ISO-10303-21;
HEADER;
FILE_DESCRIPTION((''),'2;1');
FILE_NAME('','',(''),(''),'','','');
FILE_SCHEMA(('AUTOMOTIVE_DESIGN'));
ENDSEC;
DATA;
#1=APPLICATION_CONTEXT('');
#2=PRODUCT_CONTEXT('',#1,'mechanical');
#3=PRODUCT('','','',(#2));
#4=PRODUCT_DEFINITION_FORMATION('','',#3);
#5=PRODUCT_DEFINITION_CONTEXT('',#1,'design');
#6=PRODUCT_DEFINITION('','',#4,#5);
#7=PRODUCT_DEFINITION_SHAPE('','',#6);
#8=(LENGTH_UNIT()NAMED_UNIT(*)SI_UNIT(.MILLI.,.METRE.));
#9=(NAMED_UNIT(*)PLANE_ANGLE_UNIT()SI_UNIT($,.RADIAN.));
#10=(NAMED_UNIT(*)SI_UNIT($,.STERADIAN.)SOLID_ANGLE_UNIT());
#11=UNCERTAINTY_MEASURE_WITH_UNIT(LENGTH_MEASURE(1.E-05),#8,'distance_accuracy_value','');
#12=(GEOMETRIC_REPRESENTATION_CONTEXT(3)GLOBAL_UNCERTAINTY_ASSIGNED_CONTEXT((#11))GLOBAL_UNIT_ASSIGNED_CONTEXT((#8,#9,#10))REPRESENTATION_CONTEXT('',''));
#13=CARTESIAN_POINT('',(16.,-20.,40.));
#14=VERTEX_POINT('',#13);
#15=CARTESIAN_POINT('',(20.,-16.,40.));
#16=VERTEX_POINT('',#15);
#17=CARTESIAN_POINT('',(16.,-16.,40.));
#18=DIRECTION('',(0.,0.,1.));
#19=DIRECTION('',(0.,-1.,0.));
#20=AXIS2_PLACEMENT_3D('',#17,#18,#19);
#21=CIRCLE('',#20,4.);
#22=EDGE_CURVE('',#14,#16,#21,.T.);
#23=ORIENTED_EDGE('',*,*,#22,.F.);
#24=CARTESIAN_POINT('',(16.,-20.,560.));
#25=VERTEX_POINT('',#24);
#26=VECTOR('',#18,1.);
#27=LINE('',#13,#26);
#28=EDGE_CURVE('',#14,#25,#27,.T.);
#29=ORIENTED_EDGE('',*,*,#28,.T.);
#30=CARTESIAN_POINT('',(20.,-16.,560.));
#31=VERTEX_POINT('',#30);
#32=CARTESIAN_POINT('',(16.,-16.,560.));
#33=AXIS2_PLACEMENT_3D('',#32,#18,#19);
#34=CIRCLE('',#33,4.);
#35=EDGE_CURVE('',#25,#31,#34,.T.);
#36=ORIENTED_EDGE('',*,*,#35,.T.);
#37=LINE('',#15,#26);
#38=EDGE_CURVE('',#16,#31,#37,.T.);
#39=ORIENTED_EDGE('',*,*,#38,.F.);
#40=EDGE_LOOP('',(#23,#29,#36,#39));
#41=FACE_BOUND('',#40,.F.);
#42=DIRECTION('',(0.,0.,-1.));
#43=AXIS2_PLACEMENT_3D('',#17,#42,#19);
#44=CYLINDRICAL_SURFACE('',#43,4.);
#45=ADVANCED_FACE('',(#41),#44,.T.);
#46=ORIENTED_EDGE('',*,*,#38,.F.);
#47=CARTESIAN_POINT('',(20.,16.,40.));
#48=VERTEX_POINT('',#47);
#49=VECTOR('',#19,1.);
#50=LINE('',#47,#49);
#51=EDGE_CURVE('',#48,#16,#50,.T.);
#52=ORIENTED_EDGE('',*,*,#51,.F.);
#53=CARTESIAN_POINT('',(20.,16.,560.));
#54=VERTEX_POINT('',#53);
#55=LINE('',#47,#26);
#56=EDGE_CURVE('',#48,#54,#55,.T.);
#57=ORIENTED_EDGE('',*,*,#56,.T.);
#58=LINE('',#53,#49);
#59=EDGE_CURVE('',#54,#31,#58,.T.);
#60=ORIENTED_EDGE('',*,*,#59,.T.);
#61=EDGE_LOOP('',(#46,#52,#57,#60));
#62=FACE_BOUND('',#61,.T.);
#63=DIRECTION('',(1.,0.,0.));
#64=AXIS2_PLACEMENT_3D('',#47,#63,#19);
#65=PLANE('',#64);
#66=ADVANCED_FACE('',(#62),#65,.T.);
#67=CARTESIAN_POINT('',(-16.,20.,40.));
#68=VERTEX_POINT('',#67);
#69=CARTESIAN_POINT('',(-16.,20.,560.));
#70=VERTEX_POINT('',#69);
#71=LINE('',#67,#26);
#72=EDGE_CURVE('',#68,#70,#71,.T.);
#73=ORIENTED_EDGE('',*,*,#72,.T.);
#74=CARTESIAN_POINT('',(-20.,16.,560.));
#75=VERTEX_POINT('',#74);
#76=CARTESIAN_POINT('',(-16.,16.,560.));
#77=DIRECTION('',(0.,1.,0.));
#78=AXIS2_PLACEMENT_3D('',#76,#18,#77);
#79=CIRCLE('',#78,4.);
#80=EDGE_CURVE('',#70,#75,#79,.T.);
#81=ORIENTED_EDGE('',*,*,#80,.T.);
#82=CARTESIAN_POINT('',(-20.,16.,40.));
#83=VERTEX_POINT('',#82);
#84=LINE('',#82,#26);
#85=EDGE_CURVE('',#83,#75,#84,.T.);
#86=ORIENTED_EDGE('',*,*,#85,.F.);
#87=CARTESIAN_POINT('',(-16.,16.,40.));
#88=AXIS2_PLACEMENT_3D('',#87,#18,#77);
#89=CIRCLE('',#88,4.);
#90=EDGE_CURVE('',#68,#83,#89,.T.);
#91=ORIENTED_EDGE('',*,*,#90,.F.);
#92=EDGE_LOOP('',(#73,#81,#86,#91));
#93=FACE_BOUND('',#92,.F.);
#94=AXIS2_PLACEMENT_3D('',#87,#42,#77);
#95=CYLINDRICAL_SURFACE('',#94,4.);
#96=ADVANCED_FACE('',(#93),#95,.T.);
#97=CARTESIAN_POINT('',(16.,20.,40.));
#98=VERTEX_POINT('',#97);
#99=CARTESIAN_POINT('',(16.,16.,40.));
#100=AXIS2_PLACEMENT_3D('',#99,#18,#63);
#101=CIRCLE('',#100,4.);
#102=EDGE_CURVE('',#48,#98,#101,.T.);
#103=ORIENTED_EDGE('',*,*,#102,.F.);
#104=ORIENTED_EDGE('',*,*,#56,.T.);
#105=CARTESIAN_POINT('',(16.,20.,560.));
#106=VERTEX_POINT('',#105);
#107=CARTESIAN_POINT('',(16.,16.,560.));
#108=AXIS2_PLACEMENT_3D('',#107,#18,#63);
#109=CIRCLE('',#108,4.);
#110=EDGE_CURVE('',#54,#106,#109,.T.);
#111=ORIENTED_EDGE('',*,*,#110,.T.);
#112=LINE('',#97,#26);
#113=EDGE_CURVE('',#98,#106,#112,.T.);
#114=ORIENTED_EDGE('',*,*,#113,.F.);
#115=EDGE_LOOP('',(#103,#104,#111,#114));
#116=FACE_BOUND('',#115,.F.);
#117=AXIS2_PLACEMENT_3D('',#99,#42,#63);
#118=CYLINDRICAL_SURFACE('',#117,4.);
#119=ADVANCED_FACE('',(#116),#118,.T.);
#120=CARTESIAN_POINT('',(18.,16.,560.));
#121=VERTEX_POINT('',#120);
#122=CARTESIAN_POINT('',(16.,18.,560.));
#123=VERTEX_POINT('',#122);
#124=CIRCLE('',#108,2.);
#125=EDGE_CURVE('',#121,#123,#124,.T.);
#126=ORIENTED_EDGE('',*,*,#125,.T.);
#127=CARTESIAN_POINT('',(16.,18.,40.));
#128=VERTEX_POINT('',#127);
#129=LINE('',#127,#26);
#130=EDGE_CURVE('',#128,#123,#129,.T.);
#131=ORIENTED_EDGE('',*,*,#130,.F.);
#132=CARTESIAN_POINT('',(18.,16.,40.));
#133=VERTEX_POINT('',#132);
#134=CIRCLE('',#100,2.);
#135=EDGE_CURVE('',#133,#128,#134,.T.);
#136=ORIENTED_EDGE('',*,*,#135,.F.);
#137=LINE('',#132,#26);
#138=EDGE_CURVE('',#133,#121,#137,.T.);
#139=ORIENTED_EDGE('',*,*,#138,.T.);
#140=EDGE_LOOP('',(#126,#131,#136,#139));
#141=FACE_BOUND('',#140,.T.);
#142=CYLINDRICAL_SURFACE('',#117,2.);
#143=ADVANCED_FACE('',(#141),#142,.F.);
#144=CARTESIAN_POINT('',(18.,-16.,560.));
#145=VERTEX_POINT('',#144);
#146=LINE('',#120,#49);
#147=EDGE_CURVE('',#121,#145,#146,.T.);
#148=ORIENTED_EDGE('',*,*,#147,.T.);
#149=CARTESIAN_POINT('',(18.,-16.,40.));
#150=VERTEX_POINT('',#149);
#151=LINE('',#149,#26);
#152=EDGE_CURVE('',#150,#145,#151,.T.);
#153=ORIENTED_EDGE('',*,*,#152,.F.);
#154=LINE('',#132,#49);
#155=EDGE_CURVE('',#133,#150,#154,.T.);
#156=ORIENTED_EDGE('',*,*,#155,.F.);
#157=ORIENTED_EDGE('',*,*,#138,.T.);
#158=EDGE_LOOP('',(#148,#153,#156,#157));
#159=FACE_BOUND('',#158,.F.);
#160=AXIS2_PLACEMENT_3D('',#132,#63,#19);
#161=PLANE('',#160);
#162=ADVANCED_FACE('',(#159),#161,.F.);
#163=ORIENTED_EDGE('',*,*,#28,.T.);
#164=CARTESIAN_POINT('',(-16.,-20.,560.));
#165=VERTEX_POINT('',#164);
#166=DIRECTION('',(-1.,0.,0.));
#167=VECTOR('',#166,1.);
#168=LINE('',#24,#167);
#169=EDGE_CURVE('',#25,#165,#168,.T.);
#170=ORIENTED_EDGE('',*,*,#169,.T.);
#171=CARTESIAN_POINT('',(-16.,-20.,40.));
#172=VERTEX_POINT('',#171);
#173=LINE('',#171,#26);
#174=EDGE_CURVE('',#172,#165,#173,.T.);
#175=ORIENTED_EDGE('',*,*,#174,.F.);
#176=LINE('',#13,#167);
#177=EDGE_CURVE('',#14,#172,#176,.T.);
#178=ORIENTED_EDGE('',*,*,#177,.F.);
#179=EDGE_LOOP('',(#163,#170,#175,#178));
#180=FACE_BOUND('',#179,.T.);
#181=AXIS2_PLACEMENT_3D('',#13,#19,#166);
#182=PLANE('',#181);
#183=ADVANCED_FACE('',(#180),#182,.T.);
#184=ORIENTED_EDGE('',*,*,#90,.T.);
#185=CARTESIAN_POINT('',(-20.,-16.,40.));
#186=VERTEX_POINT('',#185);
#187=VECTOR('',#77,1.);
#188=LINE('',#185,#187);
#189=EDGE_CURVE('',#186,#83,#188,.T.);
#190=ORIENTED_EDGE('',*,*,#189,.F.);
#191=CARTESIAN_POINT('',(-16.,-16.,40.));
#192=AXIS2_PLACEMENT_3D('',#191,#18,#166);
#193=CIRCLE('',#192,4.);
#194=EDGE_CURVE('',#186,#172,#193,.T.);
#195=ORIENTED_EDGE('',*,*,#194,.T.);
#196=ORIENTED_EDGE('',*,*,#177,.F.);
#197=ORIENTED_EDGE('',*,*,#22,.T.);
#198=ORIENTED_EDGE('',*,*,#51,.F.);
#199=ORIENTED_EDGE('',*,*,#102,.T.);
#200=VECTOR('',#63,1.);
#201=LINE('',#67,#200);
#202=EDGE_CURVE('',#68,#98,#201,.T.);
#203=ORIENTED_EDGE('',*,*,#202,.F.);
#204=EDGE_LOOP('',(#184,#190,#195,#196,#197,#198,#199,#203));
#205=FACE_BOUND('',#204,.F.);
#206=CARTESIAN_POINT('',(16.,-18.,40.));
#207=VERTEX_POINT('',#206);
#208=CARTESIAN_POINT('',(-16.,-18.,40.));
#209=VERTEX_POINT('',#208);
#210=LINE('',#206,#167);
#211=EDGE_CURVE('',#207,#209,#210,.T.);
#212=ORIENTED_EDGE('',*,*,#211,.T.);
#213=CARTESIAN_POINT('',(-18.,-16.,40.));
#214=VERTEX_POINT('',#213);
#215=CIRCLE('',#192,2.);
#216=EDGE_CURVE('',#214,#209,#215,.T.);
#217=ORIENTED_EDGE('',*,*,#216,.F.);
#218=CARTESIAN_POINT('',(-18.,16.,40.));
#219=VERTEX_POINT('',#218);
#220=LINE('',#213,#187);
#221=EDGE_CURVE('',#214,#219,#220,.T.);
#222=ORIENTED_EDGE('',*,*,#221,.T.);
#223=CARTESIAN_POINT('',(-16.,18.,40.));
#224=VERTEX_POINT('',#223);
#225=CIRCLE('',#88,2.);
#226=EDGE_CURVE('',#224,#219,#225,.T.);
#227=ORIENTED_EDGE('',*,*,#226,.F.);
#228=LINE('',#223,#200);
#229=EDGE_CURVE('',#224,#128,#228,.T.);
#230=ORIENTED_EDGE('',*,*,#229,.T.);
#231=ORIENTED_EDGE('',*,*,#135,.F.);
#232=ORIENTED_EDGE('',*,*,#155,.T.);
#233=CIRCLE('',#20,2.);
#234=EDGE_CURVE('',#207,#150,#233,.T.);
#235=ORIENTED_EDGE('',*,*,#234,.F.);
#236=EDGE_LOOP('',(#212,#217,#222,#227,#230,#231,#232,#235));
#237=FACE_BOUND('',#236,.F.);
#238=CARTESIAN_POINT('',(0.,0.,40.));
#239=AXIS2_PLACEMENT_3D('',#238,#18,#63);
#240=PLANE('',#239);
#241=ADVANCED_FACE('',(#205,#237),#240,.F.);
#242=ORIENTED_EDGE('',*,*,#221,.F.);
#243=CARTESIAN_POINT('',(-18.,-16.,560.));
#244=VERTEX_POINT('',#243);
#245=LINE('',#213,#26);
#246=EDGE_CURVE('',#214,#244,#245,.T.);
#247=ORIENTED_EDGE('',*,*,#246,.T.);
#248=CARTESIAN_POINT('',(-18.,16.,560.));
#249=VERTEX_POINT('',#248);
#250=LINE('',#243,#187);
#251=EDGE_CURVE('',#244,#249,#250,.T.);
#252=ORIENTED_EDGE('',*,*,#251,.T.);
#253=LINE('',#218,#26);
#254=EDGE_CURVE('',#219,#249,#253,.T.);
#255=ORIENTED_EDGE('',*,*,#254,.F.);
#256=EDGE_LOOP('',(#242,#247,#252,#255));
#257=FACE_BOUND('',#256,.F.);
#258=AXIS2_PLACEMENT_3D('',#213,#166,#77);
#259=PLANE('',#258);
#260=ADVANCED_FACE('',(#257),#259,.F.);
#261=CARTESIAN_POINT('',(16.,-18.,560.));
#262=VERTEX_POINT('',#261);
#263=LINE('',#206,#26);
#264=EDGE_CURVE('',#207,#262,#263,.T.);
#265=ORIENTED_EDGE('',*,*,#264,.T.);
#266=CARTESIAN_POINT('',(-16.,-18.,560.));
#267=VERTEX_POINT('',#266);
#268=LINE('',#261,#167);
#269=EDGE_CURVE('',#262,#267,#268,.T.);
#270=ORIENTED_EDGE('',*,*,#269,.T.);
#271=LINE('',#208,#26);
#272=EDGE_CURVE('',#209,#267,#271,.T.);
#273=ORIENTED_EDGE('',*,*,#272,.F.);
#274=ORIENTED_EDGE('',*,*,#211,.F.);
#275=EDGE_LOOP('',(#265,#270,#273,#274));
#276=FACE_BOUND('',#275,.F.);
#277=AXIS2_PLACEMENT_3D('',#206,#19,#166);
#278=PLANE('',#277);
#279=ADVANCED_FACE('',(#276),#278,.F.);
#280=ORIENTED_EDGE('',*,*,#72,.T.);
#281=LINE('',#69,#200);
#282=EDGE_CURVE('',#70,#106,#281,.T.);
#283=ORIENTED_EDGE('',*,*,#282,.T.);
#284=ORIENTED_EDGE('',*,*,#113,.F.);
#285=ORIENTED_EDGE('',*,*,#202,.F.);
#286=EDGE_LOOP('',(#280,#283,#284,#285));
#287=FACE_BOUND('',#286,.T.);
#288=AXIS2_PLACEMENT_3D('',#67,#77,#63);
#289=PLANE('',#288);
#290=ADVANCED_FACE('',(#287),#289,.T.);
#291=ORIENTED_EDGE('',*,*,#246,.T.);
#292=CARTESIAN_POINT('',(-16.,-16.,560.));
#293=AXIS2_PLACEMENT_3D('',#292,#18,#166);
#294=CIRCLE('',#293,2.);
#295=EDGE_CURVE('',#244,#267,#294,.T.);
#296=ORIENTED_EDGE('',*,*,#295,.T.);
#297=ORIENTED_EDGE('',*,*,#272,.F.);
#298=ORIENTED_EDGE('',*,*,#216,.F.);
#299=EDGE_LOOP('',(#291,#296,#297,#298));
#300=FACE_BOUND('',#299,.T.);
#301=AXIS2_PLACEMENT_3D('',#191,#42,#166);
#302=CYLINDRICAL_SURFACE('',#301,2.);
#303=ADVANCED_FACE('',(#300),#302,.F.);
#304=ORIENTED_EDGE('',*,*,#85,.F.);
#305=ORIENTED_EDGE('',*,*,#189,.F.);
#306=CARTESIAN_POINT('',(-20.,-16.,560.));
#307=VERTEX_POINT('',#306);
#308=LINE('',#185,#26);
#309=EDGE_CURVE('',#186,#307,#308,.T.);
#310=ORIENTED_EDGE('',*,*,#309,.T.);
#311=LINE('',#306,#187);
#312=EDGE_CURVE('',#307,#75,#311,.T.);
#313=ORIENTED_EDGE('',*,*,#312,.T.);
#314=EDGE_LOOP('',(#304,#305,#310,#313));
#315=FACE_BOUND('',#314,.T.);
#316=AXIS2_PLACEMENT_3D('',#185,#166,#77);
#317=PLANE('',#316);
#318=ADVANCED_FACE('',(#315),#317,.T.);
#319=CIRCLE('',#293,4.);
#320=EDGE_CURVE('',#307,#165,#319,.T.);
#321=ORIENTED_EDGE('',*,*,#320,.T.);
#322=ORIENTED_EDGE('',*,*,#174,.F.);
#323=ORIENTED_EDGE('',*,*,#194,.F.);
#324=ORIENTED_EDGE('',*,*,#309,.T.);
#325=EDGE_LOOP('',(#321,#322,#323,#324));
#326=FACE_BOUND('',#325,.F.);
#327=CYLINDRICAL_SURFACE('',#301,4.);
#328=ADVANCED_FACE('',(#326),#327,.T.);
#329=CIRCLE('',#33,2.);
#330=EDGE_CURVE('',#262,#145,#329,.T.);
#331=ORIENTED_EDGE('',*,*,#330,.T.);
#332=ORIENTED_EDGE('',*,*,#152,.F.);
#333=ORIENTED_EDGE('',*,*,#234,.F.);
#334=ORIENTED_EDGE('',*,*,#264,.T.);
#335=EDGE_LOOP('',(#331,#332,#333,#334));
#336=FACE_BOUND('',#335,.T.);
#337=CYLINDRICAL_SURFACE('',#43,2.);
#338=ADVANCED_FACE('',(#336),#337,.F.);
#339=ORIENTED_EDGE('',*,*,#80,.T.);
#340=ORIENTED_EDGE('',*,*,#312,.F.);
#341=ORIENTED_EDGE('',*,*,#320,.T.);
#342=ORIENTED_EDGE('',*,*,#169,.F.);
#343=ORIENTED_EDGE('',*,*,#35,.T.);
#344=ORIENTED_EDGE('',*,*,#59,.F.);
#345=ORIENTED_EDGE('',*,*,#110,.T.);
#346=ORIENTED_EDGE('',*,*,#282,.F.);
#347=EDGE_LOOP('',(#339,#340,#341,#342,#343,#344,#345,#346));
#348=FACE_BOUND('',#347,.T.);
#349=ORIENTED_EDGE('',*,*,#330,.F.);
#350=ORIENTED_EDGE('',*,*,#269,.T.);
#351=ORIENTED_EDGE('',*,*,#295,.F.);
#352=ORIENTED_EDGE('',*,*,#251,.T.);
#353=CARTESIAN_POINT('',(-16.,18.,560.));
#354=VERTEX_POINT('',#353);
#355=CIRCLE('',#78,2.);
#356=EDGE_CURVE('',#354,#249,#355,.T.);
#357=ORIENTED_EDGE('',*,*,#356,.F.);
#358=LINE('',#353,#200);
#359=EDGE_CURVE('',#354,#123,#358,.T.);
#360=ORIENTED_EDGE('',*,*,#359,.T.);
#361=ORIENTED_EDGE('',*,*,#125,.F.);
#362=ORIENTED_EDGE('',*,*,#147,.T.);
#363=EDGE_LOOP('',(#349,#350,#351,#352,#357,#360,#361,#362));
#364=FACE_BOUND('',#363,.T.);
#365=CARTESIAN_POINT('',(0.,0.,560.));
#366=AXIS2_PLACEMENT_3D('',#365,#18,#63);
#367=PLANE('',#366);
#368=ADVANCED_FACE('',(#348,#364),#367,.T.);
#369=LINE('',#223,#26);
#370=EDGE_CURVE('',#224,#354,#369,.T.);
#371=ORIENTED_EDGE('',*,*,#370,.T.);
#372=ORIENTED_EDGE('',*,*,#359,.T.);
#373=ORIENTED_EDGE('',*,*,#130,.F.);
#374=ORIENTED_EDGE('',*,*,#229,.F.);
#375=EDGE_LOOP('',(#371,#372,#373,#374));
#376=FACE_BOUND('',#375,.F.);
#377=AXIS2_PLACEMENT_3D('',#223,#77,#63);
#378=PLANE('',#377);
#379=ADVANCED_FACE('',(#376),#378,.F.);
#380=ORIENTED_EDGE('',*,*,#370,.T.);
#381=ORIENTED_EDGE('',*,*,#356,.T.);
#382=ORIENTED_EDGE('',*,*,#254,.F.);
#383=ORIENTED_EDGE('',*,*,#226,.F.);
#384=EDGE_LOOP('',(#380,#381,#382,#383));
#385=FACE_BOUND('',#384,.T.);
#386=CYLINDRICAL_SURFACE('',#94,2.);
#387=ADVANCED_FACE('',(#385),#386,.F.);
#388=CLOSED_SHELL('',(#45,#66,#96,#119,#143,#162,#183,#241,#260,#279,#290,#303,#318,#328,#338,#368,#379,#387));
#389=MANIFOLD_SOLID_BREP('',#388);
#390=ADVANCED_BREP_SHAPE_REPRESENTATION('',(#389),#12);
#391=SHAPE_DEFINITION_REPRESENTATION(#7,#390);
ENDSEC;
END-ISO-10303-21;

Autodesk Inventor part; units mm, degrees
ref_plane "YZ Plane" through (0, 0, 0) normal (1, 0, 0) x (0, 1, 0)
ref_plane "Start Plane" through (0, 0, 40) normal (0, 0, 1) x (1, 0, 0)
ref_plane "End Plane" through (0, 0, 560) normal (0, 0, 1) x (1, 0, 0)
sketch "Sketch" plane through (0, 0, 0) normal (0, 0, 1) x (1, 0, 0)
  line L0 (-20, -16) -> (-20, 16)
  line L1 (-16, 20) -> (16, 20)
  line L2 (20, 16) -> (20, -16)
  line L3 (16, -20) -> (-16, -20)
  arc A0 (-20, -16) -> (-16, -20) centre (-16, -16) ccw
  arc A1 (20, 16) -> (16, 20) centre (16, 16) ccw
  arc A2 (-16, 20) -> (-20, 16) centre (-16, 16) ccw
  arc A3 (16, -20) -> (20, -16) centre (16, -16) ccw
  arc A4 (-16, 18) -> (-18, 16) centre (-16, 16) ccw
  line L4 (-16, 18) -> (16, 18)
  arc A5 (18, 16) -> (16, 18) centre (16, 16) ccw
  line L5 (18, 16) -> (18, -16)
  arc A6 (16, -18) -> (18, -16) centre (16, -16) ccw
  line L6 (16, -18) -> (-16, -18)
  arc A7 (-18, -16) -> (-16, -18) centre (-16, -16) ccw
  line L7 (-18, -16) -> (-18, 16)
  line L8 (0, 29.1598) -> (0, -29.1598) construction
  line L9 (-29.1598, 0) -> (29.1598, 0) construction
  dimension "d7" = 4
  dimension "d9" = 40
  dimension "d11" = 40
  dimension "d12" = 2
  dimension "d15" = 20
  dimension "d16" = 20
extrude "Body" add sketch "Sketch" along normal up to surface (520 mm away) from surface at 40
sketch "Sketch3" plane through (0, 0, 0) normal (0, 0, 1) x (1, 0, 0)
  line L0 (0, 0) -> (10, 0)
ref_plane "Work Plane3" through (0, 0, 0) normal (0, -1, 0) x (1, 0, 0)
sketch "Sketch4" plane through (0, 0, 0) normal (0, -1, 0) x (1, 0, 0)
  line L0 (-2, 40) -> (12, 40) projected
  line L1 (-2, 560) -> (12, 560) projected
  dimension "d18" = 520
equation "\"d7\" = G_IR"
equation "\"d9\" = G_W"
equation "\"d11\" = G_H"
equation "\"d12\" = G_T"
equation "\"d15\" = 0.5 * d9"
equation "\"d16\" = 0.5 * d11"
equation "\"d3\" = G_L"
equation "\"G_W\" = 40"
equation "\"G_H\" = 40"
equation "\"G_T\" = 2"
equation "\"G_IR\" = 4"
equation "\"G_L\" = d18"
properties part number "ISO 10799-2 - 40x40x2 - 520" material "Steel, Mild"
